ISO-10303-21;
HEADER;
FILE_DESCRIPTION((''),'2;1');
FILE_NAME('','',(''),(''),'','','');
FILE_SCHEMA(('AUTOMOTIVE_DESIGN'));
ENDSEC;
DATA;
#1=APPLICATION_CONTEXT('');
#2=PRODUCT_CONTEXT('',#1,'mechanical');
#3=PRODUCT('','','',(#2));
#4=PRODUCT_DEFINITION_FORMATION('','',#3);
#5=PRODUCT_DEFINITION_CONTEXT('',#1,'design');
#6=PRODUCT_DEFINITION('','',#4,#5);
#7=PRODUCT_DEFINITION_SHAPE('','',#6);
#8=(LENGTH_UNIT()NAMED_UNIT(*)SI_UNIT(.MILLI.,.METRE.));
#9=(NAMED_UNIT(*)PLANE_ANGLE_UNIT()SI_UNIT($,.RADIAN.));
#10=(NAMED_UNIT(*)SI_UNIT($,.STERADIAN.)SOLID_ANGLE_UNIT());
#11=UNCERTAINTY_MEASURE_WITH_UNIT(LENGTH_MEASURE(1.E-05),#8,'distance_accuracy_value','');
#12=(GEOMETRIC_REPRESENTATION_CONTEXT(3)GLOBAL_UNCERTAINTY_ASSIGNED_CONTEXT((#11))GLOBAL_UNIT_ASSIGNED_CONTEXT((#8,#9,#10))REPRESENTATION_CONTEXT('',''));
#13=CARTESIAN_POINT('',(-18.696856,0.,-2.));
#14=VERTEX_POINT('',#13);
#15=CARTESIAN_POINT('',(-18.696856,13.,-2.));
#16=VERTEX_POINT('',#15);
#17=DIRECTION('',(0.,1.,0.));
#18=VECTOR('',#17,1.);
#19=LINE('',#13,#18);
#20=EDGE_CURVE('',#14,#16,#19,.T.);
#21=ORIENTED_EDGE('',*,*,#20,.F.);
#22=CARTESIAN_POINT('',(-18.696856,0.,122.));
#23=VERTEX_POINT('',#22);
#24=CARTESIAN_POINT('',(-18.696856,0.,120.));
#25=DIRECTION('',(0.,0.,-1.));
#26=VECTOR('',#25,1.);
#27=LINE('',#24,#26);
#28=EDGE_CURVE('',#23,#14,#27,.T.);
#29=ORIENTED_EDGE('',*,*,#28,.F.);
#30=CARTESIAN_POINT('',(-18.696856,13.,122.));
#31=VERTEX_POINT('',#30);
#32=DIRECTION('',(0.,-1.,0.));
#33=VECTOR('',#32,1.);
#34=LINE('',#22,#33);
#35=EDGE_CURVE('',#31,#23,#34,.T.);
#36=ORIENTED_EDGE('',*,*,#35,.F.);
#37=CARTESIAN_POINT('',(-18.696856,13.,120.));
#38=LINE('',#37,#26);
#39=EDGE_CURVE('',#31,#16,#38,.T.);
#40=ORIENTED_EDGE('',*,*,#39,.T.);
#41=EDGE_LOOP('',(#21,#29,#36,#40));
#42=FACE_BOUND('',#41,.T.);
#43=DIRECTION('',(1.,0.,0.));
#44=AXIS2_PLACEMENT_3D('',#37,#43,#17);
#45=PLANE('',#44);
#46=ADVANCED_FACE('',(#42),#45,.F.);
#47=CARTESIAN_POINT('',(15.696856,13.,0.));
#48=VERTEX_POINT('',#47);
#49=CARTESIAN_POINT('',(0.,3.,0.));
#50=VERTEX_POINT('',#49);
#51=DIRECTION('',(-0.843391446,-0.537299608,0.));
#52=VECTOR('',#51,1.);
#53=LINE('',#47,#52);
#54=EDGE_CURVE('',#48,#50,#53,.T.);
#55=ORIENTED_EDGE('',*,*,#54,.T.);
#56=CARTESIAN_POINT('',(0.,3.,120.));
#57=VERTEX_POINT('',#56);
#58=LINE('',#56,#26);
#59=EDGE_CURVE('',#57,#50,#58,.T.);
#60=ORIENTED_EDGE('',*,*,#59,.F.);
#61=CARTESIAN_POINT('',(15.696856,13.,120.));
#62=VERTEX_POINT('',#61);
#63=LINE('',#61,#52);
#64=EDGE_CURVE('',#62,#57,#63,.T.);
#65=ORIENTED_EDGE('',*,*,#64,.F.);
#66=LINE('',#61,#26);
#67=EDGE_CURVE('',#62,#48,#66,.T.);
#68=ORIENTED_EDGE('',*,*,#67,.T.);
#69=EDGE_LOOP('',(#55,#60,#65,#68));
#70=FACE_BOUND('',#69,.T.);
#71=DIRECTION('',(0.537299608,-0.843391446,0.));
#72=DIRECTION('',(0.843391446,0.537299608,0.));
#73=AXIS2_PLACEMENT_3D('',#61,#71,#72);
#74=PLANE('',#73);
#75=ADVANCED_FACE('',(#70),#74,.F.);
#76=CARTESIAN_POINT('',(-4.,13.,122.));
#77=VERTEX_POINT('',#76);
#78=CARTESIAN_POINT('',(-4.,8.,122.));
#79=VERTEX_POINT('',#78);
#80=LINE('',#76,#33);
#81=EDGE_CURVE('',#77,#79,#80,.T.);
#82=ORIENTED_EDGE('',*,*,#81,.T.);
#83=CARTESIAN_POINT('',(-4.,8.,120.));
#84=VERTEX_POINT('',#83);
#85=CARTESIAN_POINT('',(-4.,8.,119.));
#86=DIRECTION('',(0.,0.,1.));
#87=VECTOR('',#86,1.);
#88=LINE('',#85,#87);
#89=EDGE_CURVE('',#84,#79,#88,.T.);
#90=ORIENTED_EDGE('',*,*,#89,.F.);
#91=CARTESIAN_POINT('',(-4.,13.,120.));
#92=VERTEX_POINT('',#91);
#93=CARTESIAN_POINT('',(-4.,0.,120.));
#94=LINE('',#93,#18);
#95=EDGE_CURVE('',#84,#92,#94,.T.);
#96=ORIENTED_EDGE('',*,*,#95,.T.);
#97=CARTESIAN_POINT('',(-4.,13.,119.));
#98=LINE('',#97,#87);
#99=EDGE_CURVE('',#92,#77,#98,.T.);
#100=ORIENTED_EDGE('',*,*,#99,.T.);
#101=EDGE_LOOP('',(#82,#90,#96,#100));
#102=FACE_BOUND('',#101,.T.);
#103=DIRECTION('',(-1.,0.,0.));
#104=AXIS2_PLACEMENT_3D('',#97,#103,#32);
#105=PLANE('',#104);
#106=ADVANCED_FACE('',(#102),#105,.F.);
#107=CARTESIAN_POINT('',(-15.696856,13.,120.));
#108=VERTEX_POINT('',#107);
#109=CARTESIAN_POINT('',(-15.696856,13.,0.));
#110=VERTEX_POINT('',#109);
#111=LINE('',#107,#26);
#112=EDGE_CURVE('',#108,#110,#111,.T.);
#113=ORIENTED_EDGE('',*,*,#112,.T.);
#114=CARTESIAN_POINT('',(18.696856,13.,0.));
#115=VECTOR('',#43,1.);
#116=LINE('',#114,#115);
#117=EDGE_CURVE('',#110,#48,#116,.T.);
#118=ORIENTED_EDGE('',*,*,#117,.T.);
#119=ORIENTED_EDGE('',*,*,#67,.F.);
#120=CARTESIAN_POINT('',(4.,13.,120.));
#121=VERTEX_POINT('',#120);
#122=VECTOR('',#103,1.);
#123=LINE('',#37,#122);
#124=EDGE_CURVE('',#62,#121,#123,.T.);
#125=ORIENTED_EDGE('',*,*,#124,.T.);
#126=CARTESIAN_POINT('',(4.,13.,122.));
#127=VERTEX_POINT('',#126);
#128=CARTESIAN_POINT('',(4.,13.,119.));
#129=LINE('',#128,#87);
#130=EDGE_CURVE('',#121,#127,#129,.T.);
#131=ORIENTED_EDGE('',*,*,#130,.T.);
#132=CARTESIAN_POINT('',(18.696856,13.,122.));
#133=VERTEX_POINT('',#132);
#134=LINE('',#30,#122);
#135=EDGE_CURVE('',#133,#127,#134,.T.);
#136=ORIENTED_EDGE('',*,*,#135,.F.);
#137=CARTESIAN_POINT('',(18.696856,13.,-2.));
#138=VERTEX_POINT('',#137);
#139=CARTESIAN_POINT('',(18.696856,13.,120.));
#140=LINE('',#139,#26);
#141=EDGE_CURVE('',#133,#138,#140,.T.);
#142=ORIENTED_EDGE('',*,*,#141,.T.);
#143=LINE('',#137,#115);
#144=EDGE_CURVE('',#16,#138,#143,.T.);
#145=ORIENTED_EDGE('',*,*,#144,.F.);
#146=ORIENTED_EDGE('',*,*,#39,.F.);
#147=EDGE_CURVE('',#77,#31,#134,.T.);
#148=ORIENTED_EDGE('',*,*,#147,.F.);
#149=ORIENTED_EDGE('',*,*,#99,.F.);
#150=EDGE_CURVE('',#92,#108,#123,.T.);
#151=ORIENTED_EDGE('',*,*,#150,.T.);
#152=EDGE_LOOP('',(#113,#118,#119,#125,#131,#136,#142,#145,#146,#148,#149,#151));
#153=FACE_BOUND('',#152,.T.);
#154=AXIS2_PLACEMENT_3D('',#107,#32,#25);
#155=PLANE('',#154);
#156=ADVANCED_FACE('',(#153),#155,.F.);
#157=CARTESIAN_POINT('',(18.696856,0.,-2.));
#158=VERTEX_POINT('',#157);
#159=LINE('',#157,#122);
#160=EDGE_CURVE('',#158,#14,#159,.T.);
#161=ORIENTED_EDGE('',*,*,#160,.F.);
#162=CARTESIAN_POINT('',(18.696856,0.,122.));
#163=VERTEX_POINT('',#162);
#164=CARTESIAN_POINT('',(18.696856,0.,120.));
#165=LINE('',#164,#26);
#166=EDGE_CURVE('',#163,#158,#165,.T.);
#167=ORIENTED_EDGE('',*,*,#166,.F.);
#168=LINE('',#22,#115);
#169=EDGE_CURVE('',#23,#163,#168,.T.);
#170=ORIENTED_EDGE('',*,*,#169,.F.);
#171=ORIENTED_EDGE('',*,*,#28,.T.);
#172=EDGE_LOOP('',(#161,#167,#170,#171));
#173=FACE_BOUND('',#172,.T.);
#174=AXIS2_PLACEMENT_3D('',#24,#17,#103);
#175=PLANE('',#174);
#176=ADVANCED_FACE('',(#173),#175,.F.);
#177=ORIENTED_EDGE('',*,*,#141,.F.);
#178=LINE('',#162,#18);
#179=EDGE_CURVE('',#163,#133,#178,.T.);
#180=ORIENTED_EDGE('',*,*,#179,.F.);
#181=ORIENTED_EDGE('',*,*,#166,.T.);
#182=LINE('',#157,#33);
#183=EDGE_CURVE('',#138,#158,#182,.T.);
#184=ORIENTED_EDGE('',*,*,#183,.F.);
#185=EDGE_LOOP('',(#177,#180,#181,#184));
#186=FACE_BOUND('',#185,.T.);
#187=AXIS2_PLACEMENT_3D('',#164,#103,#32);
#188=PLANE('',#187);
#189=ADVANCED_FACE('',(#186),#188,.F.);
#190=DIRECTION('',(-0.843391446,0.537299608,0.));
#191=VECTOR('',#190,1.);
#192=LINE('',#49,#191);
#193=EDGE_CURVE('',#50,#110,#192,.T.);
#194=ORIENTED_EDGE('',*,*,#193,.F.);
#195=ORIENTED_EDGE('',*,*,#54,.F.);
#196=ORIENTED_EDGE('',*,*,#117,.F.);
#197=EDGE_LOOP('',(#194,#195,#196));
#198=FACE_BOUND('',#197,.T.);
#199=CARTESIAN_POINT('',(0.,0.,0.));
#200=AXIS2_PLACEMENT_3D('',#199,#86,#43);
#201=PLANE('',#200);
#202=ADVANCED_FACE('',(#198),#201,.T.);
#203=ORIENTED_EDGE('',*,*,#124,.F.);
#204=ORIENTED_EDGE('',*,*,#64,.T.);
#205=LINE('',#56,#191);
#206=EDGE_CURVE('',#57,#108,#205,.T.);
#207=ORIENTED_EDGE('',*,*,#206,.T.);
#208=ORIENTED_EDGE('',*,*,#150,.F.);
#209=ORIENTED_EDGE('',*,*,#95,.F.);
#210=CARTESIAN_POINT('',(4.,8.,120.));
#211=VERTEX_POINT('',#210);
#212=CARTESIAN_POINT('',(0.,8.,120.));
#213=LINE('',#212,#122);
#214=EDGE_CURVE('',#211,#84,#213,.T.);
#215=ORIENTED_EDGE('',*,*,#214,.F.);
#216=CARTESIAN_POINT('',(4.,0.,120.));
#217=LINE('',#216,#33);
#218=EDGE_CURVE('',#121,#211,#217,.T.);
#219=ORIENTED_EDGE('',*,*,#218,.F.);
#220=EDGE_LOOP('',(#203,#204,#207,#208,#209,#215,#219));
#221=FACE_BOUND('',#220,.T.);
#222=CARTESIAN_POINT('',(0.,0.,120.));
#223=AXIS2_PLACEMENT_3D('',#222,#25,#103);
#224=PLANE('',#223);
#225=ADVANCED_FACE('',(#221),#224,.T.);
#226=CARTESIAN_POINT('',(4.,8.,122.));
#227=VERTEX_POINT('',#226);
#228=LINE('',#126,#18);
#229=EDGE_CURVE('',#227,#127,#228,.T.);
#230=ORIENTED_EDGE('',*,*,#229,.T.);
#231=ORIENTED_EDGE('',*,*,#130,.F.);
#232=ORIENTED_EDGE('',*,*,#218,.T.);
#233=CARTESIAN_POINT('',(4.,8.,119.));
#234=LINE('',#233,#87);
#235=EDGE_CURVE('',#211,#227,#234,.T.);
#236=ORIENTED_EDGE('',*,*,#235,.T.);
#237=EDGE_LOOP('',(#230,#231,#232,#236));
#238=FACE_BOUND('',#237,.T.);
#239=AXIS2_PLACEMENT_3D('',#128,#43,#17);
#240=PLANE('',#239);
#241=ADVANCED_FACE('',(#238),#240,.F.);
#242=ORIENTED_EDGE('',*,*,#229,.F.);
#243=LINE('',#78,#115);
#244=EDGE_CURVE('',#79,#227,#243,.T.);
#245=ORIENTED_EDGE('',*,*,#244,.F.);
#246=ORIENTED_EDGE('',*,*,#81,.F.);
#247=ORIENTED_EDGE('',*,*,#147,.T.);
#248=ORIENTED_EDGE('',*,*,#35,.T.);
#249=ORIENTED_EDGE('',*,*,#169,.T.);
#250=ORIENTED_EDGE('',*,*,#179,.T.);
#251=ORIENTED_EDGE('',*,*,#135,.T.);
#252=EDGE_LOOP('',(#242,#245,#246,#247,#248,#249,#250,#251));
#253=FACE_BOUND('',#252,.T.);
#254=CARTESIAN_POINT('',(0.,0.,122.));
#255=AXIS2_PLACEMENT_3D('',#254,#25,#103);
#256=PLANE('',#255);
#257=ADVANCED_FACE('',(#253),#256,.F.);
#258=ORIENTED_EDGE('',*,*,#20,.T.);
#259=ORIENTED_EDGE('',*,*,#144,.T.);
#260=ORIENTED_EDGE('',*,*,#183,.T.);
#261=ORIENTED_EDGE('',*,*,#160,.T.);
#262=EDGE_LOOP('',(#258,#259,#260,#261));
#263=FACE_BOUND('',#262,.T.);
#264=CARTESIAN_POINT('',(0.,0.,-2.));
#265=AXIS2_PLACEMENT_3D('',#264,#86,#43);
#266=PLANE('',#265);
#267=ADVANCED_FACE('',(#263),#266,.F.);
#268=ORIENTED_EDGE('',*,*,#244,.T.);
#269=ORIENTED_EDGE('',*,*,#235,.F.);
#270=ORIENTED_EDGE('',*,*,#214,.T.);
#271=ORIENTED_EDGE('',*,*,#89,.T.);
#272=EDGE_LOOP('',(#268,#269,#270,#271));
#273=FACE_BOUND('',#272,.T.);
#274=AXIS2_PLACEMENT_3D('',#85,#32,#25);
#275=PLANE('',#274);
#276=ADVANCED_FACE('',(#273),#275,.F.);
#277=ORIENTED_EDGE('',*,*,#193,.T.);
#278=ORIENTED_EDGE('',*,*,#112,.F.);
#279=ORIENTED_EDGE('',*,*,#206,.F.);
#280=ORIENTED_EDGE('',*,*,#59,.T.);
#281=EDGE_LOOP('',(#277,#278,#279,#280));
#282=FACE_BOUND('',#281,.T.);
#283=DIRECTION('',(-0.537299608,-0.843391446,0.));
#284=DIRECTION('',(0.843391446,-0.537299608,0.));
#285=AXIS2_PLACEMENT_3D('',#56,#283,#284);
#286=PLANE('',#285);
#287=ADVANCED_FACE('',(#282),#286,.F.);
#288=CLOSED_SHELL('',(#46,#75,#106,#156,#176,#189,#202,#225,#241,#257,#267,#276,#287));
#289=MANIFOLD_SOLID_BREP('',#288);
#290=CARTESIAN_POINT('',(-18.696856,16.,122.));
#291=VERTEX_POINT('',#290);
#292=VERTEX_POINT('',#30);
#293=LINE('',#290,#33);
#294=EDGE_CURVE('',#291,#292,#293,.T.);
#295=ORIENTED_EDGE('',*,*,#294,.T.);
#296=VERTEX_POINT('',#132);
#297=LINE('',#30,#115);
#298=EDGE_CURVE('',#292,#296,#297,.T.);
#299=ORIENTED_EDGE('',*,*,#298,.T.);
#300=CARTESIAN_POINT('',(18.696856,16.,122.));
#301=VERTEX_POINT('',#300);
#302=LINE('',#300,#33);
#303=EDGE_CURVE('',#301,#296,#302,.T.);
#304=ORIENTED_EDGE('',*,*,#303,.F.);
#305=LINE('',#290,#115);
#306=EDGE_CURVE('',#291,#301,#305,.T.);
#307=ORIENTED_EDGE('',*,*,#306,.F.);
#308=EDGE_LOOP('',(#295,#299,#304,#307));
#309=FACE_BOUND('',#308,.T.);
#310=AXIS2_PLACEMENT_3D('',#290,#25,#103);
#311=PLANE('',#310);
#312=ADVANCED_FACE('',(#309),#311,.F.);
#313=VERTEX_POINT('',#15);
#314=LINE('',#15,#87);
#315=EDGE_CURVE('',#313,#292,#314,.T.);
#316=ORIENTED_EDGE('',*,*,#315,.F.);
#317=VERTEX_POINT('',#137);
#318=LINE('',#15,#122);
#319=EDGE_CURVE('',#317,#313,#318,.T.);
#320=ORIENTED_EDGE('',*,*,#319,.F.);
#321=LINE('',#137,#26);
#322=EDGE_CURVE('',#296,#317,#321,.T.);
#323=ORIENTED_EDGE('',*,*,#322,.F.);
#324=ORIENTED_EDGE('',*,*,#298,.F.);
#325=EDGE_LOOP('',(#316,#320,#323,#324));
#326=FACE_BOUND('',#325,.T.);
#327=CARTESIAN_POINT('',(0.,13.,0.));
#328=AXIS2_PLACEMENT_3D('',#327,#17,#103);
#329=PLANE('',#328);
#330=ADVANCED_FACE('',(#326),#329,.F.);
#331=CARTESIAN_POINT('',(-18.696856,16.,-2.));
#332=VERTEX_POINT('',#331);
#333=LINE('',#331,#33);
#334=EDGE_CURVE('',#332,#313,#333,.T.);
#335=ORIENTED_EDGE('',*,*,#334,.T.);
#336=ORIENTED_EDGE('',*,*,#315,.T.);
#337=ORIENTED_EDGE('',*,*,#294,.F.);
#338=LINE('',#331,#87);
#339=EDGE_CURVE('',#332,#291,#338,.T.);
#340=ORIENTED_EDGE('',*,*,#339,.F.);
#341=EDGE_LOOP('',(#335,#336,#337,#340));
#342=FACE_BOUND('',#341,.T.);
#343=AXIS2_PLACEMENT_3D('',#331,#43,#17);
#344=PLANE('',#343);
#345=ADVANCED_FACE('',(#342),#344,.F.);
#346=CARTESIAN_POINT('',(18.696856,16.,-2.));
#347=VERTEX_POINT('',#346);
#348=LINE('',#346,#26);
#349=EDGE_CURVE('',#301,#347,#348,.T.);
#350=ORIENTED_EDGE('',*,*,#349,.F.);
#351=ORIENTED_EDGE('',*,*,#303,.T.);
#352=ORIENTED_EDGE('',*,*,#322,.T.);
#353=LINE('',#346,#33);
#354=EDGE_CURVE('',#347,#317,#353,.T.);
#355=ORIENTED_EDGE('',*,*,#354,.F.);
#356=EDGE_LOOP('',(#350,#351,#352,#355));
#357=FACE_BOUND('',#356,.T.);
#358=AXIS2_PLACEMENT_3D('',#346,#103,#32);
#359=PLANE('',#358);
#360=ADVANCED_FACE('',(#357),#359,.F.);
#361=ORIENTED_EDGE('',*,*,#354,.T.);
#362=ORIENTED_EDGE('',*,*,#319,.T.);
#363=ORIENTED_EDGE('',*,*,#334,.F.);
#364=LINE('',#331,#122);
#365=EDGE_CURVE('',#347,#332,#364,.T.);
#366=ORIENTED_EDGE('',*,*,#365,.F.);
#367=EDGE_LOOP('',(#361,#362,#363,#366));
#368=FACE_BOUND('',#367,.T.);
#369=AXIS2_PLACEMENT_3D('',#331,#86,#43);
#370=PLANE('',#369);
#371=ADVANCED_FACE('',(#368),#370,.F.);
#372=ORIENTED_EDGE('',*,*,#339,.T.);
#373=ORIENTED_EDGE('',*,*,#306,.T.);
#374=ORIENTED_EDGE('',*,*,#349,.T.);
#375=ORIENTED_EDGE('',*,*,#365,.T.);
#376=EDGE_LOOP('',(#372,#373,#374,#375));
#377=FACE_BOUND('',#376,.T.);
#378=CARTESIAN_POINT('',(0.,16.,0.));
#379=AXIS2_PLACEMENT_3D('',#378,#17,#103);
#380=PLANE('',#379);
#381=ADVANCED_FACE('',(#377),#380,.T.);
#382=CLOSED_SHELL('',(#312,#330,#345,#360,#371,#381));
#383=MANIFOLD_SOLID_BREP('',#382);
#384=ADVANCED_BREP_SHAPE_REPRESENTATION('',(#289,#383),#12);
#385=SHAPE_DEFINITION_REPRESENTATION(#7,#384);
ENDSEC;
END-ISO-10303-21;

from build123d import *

# Parameters (mm, degrees)
BOSS_EXTRUDE1_DEPTH = 120
SKETCH2_W           = 37.393711542
SKETCH2_H           = 13
BOSS_EXTRUDE2_DEPTH = 2
SKETCH3_W           = 37.393711542
SKETCH3_H           = 13
BOSS_EXTRUDE3_DEPTH = 2
SKETCH5_W           = 37.393711542
SKETCH5_H           = 124
BOSS_EXTRUDE4_DEPTH = 3
SKETCH6_W           = 8
SKETCH6_H           = 5
CUT_EXTRUDE1_DEPTH  = 3


with BuildPart() as part:
    # Sketch1 → Boss-Extrude1 (new body)
    with BuildSketch(Plane.XY):
        Polygon((-18.696855771, 0), (18.696855771, 0), (18.696855771, 13), (15.696855771, 13), (0, 3), (-15.696855771, 13), (-18.696855771, 13), align=None)
    extrude(amount=BOSS_EXTRUDE1_DEPTH)

    # Sketch2 → Boss-Extrude2 (add)
    with BuildSketch(Plane(origin=(0, 0, 0), x_dir=(-1, 0, 0), z_dir=(0, 0, -1))):
        with Locations((0, 6.5)):
            Rectangle(SKETCH2_W, SKETCH2_H)
    extrude(amount=BOSS_EXTRUDE2_DEPTH)

    # Sketch3 → Boss-Extrude3 (add)
    with BuildSketch(Plane.XY.offset(120)):
        with Locations((0, 6.5)):
            Rectangle(SKETCH3_W, SKETCH3_H)
    extrude(amount=BOSS_EXTRUDE3_DEPTH)

    # Sketch6 → Cut-Extrude1 (cut)
    with BuildSketch(Plane.XY.offset(122)):
        with Locations((0, 10.5)):
            Rectangle(SKETCH6_W, SKETCH6_H)
    extrude(amount=-CUT_EXTRUDE1_DEPTH, mode=Mode.SUBTRACT)


with BuildPart() as body_2:
    # Sketch5 → Boss-Extrude4 (new body)
    with BuildSketch(Plane(origin=(0, 13, 0), x_dir=(1, 0, 0), z_dir=(0, 1, 0))):
        with Locations((0, -60)):
            Rectangle(SKETCH5_W, SKETCH5_H)
    extrude(amount=BOSS_EXTRUDE4_DEPTH)


solid = Compound([part.part, body_2.part])
